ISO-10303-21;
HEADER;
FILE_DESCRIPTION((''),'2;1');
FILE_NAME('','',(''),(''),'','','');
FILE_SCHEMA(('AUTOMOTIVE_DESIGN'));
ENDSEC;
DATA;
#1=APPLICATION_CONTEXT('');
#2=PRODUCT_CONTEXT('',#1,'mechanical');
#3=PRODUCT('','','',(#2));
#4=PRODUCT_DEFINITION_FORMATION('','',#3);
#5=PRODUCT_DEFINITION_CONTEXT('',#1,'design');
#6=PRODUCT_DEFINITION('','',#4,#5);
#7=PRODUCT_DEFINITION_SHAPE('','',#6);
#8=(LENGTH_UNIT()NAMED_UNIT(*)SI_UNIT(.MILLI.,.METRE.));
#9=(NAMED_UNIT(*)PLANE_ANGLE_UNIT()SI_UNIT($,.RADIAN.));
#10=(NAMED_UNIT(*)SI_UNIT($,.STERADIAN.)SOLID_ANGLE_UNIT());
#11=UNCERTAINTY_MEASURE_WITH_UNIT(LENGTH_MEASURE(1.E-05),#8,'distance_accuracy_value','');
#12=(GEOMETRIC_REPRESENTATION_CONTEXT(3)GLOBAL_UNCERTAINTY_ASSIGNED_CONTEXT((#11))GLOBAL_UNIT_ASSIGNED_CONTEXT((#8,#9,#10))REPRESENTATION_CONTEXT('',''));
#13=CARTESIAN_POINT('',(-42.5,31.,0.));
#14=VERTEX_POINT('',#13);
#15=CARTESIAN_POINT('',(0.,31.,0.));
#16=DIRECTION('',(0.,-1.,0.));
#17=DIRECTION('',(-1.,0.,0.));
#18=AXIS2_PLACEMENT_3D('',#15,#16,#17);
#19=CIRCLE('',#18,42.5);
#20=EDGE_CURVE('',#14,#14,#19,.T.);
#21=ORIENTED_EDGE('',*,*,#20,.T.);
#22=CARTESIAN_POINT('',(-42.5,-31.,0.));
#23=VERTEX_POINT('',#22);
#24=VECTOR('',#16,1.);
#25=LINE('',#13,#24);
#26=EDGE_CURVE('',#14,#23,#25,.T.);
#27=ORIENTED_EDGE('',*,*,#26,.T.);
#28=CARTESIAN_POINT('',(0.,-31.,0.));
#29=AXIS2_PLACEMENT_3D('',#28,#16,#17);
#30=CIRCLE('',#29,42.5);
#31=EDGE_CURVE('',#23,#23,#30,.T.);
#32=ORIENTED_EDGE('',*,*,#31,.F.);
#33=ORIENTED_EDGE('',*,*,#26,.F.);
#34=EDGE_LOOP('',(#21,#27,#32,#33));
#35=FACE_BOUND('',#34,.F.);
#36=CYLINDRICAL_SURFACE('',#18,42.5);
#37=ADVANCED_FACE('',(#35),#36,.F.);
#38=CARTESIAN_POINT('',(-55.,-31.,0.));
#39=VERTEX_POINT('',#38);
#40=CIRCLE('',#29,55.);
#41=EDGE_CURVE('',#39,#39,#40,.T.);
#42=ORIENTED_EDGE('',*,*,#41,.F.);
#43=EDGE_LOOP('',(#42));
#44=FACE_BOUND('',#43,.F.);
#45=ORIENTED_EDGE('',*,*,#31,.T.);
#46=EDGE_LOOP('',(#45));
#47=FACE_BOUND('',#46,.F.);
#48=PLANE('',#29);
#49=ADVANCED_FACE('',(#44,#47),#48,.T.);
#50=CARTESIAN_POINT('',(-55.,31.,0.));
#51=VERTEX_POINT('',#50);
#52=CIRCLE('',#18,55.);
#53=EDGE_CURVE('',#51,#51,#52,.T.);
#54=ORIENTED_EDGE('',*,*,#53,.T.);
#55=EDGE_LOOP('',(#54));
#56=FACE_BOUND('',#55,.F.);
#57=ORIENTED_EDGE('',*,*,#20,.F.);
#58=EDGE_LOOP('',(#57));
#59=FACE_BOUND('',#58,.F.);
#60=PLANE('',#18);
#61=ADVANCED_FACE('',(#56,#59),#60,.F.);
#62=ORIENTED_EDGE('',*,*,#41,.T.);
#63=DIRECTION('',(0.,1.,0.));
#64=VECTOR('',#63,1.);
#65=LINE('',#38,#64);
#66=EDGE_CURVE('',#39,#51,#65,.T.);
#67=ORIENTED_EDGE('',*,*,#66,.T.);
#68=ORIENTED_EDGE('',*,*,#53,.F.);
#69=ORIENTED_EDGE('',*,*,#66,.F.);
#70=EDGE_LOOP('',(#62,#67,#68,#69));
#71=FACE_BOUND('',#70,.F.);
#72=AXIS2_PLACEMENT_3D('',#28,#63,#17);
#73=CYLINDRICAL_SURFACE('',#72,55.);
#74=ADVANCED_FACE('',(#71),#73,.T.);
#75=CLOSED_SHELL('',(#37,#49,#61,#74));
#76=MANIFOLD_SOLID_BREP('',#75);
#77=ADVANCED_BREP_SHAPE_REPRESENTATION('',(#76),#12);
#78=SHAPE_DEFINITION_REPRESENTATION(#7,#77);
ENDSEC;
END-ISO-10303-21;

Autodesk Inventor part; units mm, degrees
ref_plane "YZ Plane" through (0, 0, 0) normal (1, 0, 0) x (0, 1, 0)
ref_plane "XZ Plane" through (0, 0, 0) normal (0, 1, 0) x (-1, 0, 0)
ref_plane "XY Plane" through (0, 0, 0) normal (0, 0, 1) x (1, 0, 0)
sketch "Эскиз1" plane through (0, 0, 0) normal (0, 0, 1) x (1, 0, 0)
  line L0 (0, 28.9289) -> (0, -27.0571)
  line L1 (-55, 31) -> (-42.5, 31)
  line L2 (-42.5, 31) -> (-42.5, -31)
  line L3 (-42.5, -31) -> (-55, -31)
  line L4 (-55, -31) -> (-55, 31)
  line L5 (-55, 31) -> (-42.5, -31) construction
  line L6 (-42.5, 31) -> (-55, -31) construction
  point P0 (0, 0)
  point P1 (-48.75, 0)
  point P2 (-48.75, 0)
  dimension "d0" = 85
  dimension "d1" = 62
  dimension "d2" = 110
revolve "Вращение1" add sketch "Эскиз1" angle 360 about axis through (0, 28.9289, 0) along (0, -1, 0)
properties part number "МПСТ Распорная втулка промежуточного вала" material "Сталь, углеродистая"
